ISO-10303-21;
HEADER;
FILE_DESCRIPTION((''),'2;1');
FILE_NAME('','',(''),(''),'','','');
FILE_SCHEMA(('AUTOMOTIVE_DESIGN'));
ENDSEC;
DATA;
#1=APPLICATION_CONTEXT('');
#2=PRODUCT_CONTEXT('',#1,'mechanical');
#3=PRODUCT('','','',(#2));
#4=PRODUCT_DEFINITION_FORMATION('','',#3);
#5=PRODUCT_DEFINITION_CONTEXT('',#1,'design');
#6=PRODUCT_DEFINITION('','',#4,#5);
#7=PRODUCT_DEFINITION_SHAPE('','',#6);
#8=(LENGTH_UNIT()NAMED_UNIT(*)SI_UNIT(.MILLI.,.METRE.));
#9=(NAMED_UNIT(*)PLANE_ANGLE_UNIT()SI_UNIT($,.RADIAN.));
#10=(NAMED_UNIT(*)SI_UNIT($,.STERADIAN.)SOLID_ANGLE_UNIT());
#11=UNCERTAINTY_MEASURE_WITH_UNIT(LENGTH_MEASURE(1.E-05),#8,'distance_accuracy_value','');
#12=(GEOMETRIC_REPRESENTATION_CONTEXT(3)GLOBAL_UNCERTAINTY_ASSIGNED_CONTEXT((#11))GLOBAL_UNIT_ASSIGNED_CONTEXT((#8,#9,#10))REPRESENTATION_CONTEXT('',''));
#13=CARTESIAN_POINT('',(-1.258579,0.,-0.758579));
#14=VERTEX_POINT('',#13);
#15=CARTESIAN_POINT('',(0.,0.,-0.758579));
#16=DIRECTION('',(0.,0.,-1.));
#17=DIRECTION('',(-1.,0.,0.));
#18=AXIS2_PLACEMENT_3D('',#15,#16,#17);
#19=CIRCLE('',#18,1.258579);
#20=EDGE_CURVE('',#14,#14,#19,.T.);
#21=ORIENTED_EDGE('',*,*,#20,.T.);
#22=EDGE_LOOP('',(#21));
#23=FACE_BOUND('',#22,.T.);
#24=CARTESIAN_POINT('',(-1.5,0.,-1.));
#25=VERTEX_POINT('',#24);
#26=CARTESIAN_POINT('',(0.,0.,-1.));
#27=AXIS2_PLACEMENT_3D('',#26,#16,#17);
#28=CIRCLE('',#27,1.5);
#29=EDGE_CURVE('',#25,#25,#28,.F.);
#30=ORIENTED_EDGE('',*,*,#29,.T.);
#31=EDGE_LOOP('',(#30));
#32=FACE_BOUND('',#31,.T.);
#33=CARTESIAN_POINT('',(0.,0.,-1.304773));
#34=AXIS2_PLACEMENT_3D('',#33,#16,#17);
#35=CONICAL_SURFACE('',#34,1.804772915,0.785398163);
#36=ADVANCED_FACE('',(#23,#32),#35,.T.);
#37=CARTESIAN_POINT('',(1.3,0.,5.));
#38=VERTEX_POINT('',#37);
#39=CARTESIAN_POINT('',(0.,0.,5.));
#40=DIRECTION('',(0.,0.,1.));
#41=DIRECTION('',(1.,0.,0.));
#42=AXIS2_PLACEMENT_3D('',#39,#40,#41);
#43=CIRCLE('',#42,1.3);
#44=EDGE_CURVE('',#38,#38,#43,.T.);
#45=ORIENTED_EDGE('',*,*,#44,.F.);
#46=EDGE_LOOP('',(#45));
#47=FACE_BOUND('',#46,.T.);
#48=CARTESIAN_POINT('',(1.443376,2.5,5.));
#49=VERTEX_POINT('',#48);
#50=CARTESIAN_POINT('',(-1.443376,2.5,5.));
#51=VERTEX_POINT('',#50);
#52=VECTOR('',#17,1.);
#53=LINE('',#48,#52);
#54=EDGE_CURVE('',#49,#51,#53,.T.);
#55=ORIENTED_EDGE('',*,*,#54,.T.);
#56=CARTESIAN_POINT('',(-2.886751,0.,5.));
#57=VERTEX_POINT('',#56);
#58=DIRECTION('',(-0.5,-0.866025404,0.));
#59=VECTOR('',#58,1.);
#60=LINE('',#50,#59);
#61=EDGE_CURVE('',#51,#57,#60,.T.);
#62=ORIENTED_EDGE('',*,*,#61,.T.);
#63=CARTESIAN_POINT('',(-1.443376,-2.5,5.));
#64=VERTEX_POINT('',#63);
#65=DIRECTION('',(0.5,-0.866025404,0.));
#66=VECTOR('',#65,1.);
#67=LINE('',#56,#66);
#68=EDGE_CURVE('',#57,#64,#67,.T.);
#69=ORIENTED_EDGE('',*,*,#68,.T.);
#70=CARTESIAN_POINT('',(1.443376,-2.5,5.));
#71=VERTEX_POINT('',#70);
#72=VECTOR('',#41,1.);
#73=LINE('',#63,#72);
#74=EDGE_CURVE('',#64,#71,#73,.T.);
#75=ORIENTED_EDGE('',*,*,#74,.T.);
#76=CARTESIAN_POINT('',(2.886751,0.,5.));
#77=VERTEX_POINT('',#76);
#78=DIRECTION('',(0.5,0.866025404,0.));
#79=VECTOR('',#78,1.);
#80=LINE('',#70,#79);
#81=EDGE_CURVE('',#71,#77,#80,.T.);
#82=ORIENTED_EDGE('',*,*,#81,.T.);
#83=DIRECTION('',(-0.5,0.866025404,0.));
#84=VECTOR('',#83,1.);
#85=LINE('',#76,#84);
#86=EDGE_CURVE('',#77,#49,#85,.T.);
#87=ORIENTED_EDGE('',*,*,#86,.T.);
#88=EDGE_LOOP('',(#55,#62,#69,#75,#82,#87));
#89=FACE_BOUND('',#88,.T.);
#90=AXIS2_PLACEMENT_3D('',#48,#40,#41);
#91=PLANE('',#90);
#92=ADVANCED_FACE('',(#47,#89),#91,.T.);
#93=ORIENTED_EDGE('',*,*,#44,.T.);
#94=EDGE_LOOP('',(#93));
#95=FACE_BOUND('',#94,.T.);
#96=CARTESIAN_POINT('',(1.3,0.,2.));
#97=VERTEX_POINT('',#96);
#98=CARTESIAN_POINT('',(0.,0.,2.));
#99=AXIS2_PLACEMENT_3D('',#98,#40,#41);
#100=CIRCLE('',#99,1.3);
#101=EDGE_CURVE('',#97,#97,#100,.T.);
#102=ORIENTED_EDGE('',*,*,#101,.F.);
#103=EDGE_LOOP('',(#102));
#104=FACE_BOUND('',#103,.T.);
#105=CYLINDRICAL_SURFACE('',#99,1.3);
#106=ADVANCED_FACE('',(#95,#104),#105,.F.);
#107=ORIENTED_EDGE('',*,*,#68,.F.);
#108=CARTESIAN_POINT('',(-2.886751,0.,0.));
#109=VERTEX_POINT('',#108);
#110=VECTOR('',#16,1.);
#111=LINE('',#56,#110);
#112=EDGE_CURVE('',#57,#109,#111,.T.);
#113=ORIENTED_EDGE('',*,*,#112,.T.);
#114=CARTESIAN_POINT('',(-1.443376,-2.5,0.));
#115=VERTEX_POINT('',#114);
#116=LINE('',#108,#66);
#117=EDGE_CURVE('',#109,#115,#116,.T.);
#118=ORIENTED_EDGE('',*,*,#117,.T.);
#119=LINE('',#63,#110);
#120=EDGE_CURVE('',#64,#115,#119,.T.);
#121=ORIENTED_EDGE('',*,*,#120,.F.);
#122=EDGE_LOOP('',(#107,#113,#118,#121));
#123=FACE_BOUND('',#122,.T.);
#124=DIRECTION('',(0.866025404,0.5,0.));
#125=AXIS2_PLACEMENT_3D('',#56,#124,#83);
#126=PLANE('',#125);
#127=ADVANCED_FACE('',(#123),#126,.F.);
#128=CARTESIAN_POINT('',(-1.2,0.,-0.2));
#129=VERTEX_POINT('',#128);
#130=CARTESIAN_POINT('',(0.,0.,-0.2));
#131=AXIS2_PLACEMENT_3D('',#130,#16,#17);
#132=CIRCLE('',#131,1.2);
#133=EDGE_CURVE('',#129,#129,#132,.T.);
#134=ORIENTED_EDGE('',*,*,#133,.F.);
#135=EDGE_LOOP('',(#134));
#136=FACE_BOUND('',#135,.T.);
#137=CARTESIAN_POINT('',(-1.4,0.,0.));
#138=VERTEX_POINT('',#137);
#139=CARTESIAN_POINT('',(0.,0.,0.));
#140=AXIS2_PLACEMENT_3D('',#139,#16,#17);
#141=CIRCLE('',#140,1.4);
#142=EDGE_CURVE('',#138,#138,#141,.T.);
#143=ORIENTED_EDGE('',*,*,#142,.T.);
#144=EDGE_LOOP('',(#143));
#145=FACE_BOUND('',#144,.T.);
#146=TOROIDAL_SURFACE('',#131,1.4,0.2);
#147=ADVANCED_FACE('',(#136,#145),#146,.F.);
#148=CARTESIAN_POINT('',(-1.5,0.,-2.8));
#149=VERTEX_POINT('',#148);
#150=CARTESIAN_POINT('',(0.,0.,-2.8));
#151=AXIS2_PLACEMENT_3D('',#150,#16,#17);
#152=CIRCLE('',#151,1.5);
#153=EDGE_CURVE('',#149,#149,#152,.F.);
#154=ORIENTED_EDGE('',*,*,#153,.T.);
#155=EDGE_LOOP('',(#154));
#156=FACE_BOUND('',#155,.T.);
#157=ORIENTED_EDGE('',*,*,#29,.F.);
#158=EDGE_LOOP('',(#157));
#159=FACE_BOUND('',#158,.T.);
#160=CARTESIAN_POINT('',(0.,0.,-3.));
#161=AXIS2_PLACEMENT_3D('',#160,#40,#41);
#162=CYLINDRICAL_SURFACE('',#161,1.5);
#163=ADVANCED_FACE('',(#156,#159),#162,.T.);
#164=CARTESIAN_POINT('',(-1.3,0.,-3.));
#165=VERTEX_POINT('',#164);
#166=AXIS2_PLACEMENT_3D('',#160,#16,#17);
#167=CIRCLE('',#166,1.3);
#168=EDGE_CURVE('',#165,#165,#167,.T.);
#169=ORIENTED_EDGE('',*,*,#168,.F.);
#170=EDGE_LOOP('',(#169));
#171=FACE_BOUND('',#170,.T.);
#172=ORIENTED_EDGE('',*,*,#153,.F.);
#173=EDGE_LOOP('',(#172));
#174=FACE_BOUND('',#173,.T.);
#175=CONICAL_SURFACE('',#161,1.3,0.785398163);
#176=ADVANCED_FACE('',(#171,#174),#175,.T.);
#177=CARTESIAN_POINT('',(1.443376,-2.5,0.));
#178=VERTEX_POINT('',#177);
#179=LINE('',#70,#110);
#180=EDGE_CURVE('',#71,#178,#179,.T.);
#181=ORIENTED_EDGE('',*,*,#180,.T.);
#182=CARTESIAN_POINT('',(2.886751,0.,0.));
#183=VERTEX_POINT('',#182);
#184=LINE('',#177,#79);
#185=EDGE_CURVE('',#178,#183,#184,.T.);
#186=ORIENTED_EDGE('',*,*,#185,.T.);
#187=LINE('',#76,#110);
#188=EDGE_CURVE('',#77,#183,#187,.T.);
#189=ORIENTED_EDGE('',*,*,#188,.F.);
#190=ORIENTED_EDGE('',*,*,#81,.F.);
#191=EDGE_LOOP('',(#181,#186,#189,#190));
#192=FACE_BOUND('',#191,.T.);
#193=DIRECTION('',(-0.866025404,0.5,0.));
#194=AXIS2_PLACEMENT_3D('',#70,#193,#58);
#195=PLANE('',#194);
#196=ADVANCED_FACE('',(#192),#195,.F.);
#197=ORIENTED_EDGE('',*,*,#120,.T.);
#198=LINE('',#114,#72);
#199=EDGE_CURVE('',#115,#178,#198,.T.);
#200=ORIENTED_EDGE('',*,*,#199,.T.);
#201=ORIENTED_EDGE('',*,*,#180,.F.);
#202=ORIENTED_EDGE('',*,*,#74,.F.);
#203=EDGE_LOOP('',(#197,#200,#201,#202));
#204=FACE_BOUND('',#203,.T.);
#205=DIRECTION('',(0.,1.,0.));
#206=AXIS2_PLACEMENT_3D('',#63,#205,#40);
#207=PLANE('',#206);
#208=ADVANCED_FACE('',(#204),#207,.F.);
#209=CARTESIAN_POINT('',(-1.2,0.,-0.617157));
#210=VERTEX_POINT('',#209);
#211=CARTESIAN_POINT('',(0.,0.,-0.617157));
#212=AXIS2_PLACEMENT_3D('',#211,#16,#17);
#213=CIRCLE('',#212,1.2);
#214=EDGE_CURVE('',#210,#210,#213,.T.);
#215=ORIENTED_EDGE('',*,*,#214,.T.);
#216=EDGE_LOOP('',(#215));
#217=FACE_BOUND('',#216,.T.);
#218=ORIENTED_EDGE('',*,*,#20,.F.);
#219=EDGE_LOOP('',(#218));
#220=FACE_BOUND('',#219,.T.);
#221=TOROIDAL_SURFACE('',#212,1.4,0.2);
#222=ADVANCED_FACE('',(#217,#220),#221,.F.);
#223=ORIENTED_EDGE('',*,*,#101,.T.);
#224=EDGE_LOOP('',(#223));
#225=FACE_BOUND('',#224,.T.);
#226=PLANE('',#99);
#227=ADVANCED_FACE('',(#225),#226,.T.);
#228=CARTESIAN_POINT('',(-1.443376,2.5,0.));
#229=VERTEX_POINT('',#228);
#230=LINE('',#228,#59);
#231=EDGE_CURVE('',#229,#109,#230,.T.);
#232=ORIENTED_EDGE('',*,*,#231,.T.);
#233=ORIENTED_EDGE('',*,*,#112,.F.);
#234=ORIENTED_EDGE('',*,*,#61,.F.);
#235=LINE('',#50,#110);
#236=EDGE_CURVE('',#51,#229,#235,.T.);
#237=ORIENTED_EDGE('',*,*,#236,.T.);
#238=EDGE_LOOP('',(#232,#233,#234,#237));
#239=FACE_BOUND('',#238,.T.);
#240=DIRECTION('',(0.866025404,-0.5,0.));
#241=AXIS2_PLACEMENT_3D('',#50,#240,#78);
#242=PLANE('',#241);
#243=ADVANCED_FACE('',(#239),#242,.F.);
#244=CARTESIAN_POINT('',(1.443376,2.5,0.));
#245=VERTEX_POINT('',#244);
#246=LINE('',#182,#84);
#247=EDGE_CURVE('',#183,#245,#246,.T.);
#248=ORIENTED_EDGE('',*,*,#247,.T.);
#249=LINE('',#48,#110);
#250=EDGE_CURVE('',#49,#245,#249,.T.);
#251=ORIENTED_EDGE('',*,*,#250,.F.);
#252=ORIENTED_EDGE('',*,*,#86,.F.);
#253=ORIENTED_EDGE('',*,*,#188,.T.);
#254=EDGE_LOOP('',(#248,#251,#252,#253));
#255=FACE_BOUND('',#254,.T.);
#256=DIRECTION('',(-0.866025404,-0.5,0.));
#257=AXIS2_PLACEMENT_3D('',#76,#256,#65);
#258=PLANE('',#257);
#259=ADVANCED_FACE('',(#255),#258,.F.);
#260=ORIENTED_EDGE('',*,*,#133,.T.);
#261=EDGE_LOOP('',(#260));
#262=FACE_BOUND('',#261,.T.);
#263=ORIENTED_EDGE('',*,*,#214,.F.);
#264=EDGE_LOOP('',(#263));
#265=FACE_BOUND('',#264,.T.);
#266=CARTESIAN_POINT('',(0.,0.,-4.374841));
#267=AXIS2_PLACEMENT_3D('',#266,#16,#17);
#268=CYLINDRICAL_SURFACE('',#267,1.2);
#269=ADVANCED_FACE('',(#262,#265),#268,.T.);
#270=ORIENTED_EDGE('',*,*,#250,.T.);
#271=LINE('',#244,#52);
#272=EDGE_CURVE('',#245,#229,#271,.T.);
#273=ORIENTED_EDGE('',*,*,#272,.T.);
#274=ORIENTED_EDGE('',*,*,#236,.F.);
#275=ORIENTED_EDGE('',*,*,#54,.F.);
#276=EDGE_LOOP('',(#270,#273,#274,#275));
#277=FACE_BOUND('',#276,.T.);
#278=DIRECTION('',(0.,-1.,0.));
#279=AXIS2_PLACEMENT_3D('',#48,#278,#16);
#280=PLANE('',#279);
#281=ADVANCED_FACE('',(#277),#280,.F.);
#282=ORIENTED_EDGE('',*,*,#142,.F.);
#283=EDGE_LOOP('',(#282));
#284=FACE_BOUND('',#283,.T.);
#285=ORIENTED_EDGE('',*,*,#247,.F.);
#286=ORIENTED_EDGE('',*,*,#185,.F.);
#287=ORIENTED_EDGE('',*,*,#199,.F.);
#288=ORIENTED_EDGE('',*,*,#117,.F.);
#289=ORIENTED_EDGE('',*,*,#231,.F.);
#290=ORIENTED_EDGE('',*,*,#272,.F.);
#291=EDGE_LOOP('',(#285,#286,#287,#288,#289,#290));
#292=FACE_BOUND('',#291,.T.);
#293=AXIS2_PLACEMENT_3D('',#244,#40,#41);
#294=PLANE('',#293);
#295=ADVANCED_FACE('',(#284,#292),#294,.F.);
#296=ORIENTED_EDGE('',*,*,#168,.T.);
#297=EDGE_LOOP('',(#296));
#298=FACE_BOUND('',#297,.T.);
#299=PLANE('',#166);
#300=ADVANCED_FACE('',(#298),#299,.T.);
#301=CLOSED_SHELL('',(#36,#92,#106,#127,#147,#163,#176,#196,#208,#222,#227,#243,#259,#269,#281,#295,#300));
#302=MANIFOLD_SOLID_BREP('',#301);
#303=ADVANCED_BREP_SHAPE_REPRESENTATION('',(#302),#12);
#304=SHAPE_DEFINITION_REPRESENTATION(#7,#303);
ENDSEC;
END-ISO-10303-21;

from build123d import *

# Parameters (mm, degrees)
EXTRUSION1_DEPTH        = 5
ESQUISSE2_R             = 1.5
EXTRUSION2_DEPTH        = 3
CHANFREIN1_SIZE         = 0.2
ESQUISSE3_R             = 1.3
ENL_V_MAT_EXTRU_1_DEPTH = 3


with BuildPart() as part:
    # Esquisse1 → Extrusion1 (new body)
    with BuildSketch(Plane.XY):
        Polygon((1.443375673, 2.5), (-1.443375673, 2.5), (-2.886751346, 0), (-1.443375673, -2.5), (1.443375673, -2.5), (2.886751346, 0), align=None)
    extrude(amount=EXTRUSION1_DEPTH)

    # Esquisse2 → Extrusion2 (add)
    with BuildSketch(Plane(origin=(0, 0, 0), x_dir=(-1, 0, 0), z_dir=(0, 0, -1))):
        Circle(ESQUISSE2_R)
    extrude(amount=EXTRUSION2_DEPTH)

    # Chanfrein1
    chanfrein1_edges = [part.edges().sort_by_distance(p)[0] for p in [
        (1.5, 0, -3),
    ]]
    chamfer(chanfrein1_edges, length=CHANFREIN1_SIZE)

    # Esquisse3 → Enlèv. mat.-Extru.1 (cut)
    with BuildSketch(Plane.XY.offset(5)):
        Circle(ESQUISSE3_R)
    extrude(amount=-ENL_V_MAT_EXTRU_1_DEPTH, mode=Mode.SUBTRACT)

    # Esquisse4 → Enlèvement de matière-Révolution1 (revolve, cut)
    with BuildSketch(Plane(origin=(0, 0, 0), x_dir=(1, 0, 0), z_dir=(0, 1, 0)), mode=Mode.PRIVATE) as enl_vement_de_mati_re_r_volution1_sk:
        with BuildLine():
            Line((1.2, 0.617157288), (1.2, 0.2))
            ThreePointArc((1.2, 0.2), (1.258578644, 0.058578644), (1.4, 0))
            Line((1.4, 0), (1.804772915, 0))
            Line((1.804772915, 0), (1.804772915, 1.304772915))
            Line((1.804772915, 1.304772915), (1.258578644, 0.758578644))
            ThreePointArc((1.258578644, 0.758578644), (1.215224093, 0.693693974), (1.2, 0.617157288))
        make_face()
    revolve(enl_vement_de_mati_re_r_volution1_sk.sketch.rotate(Axis((0, 0, -4.374841009), (0, 0, 1)), 180), axis=Axis((0, 0, -4.374841009), (0, 0, 1)), mode=Mode.SUBTRACT)


solid = part.part
